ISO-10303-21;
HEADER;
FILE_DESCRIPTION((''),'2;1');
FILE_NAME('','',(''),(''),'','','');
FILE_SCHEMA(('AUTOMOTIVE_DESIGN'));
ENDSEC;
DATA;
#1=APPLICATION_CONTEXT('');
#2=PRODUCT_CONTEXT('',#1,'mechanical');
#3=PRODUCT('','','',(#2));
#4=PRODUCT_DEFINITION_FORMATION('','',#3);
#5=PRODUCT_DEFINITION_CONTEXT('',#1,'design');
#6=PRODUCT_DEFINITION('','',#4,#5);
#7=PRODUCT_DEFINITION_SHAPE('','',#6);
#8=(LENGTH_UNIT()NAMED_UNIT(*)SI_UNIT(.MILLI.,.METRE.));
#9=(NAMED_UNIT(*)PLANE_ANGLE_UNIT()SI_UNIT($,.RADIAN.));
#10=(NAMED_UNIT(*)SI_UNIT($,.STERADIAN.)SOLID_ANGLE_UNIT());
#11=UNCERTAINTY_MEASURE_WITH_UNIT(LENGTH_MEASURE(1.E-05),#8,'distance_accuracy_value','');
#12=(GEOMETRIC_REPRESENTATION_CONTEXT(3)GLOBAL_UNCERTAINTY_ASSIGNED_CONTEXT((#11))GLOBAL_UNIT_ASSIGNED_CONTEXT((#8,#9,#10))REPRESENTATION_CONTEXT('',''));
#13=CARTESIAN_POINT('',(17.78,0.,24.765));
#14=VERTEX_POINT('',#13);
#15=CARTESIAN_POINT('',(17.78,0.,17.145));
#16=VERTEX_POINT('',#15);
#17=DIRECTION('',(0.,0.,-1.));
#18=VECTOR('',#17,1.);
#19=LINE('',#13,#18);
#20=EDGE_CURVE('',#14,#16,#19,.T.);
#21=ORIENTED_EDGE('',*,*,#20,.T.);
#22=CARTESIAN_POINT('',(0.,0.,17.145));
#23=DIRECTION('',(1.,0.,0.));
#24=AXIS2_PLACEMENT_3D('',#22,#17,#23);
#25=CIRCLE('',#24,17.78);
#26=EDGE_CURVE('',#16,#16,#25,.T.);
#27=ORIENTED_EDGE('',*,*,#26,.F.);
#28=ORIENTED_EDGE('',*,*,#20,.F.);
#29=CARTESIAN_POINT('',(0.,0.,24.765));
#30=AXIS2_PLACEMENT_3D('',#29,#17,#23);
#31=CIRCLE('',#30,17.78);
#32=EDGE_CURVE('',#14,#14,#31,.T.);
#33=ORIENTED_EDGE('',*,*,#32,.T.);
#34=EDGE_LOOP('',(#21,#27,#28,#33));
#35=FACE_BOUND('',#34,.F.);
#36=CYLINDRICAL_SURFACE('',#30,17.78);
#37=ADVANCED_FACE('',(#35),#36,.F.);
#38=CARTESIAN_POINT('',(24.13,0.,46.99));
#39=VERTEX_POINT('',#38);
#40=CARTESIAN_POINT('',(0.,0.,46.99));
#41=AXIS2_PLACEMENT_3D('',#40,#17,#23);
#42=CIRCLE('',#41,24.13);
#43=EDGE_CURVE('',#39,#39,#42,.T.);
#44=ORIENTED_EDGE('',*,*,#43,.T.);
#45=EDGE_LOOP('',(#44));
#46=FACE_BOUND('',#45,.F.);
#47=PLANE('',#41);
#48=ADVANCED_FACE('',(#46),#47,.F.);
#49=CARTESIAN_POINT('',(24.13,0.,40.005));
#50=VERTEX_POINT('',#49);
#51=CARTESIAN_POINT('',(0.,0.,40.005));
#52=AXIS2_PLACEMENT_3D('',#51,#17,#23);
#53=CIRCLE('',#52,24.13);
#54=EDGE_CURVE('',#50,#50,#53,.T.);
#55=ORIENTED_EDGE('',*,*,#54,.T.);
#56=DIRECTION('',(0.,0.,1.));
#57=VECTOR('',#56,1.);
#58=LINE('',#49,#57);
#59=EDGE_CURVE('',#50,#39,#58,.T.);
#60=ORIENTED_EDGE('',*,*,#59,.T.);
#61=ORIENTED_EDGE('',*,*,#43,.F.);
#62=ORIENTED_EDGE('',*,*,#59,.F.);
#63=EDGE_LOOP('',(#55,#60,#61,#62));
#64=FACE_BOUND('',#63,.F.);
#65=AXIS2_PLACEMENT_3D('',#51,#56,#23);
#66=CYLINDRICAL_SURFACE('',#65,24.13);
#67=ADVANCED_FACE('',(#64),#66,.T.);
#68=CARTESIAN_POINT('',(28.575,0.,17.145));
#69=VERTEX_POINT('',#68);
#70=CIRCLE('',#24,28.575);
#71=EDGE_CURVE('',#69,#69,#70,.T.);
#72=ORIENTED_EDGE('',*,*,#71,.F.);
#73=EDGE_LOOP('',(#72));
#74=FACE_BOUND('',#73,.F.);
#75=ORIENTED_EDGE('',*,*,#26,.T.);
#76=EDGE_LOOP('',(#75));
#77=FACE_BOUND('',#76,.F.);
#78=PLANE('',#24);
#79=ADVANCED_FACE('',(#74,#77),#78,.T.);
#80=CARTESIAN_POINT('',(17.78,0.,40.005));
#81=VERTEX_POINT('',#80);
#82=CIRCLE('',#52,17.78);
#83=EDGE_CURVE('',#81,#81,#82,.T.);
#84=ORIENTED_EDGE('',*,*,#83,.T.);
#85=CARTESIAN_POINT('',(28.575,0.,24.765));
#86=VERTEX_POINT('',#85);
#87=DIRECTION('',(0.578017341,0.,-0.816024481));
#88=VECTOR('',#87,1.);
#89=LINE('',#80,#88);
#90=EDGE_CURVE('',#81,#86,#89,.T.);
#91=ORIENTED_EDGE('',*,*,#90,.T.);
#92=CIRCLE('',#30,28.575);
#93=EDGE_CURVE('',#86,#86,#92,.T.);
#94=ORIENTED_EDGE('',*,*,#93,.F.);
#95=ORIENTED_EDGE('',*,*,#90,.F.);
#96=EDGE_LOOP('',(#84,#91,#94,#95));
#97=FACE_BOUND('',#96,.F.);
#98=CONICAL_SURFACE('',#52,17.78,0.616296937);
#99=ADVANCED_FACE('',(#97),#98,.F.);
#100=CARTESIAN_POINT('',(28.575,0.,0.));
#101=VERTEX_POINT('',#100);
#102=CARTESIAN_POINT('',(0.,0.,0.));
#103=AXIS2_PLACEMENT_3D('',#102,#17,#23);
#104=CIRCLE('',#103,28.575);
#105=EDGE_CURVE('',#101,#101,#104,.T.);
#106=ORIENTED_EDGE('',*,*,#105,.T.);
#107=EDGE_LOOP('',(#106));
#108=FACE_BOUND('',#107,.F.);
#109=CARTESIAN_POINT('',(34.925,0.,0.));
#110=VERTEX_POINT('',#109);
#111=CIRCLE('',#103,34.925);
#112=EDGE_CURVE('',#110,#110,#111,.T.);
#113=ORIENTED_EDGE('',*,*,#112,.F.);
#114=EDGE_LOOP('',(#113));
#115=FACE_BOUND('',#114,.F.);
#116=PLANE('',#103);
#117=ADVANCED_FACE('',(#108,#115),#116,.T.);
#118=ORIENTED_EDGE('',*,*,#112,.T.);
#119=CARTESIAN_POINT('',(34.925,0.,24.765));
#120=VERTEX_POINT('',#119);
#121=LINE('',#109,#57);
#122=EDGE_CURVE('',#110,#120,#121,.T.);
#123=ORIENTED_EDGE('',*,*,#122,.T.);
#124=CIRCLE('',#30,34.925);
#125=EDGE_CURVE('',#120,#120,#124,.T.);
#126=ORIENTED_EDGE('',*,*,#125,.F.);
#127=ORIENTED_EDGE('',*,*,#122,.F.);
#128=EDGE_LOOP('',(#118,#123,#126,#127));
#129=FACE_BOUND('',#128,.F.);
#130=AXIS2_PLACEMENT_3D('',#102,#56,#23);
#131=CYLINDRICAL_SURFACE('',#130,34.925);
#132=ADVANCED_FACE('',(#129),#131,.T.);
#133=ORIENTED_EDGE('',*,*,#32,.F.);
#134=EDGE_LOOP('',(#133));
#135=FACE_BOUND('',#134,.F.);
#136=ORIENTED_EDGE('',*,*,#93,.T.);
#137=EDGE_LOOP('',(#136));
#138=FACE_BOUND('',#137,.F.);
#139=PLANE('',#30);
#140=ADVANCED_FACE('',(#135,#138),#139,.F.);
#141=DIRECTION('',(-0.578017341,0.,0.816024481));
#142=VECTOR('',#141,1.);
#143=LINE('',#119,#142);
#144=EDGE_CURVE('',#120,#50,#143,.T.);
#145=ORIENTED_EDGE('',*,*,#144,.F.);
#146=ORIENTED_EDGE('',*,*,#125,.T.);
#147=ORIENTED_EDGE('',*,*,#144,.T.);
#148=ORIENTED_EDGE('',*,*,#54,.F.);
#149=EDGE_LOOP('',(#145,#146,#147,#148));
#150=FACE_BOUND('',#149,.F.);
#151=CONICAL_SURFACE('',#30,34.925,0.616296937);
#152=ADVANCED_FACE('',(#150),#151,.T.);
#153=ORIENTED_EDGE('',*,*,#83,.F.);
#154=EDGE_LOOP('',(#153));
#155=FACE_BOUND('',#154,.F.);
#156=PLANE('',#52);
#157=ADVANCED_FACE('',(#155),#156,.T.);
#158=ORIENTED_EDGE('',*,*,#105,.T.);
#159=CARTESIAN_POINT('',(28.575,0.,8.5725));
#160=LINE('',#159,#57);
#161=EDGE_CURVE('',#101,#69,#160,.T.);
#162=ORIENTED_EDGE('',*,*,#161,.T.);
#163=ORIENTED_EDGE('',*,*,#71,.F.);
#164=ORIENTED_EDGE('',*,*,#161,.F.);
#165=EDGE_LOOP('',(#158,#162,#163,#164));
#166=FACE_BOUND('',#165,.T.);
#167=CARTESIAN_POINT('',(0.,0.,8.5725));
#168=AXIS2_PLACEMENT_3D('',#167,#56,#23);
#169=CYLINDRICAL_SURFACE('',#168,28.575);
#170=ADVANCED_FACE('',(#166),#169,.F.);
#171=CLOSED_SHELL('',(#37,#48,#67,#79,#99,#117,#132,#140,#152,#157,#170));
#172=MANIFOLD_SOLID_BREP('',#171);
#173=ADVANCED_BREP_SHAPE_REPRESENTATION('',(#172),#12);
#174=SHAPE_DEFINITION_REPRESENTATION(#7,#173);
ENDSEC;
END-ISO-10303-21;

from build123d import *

# Parameters (mm, degrees)
F0_W = 6.35
F0_H = 17.145


with BuildPart() as f1:
    # F0 (on Front) → F1 (revolve)
    with BuildSketch(Plane.XZ):
        Polygon((28.575, 24.765), (34.925, 24.765), (24.13, 40.005), (17.78, 40.005), align=None)
        Polygon((17.78, 40.005), (24.13, 40.005), (24.13, 46.99), (0, 46.99), (0, 40.005), align=None)
        Polygon((17.78, 17.145), (28.575, 17.145), (34.925, 17.145), (34.925, 24.765), (28.575, 24.765), (17.78, 24.765), align=None)
        with Locations((31.75, 8.5725)):
            Rectangle(F0_W, F0_H)
    revolve(axis=Axis((0, 0, 1.439031), (0, 0, -1)))


solid = f1.part
